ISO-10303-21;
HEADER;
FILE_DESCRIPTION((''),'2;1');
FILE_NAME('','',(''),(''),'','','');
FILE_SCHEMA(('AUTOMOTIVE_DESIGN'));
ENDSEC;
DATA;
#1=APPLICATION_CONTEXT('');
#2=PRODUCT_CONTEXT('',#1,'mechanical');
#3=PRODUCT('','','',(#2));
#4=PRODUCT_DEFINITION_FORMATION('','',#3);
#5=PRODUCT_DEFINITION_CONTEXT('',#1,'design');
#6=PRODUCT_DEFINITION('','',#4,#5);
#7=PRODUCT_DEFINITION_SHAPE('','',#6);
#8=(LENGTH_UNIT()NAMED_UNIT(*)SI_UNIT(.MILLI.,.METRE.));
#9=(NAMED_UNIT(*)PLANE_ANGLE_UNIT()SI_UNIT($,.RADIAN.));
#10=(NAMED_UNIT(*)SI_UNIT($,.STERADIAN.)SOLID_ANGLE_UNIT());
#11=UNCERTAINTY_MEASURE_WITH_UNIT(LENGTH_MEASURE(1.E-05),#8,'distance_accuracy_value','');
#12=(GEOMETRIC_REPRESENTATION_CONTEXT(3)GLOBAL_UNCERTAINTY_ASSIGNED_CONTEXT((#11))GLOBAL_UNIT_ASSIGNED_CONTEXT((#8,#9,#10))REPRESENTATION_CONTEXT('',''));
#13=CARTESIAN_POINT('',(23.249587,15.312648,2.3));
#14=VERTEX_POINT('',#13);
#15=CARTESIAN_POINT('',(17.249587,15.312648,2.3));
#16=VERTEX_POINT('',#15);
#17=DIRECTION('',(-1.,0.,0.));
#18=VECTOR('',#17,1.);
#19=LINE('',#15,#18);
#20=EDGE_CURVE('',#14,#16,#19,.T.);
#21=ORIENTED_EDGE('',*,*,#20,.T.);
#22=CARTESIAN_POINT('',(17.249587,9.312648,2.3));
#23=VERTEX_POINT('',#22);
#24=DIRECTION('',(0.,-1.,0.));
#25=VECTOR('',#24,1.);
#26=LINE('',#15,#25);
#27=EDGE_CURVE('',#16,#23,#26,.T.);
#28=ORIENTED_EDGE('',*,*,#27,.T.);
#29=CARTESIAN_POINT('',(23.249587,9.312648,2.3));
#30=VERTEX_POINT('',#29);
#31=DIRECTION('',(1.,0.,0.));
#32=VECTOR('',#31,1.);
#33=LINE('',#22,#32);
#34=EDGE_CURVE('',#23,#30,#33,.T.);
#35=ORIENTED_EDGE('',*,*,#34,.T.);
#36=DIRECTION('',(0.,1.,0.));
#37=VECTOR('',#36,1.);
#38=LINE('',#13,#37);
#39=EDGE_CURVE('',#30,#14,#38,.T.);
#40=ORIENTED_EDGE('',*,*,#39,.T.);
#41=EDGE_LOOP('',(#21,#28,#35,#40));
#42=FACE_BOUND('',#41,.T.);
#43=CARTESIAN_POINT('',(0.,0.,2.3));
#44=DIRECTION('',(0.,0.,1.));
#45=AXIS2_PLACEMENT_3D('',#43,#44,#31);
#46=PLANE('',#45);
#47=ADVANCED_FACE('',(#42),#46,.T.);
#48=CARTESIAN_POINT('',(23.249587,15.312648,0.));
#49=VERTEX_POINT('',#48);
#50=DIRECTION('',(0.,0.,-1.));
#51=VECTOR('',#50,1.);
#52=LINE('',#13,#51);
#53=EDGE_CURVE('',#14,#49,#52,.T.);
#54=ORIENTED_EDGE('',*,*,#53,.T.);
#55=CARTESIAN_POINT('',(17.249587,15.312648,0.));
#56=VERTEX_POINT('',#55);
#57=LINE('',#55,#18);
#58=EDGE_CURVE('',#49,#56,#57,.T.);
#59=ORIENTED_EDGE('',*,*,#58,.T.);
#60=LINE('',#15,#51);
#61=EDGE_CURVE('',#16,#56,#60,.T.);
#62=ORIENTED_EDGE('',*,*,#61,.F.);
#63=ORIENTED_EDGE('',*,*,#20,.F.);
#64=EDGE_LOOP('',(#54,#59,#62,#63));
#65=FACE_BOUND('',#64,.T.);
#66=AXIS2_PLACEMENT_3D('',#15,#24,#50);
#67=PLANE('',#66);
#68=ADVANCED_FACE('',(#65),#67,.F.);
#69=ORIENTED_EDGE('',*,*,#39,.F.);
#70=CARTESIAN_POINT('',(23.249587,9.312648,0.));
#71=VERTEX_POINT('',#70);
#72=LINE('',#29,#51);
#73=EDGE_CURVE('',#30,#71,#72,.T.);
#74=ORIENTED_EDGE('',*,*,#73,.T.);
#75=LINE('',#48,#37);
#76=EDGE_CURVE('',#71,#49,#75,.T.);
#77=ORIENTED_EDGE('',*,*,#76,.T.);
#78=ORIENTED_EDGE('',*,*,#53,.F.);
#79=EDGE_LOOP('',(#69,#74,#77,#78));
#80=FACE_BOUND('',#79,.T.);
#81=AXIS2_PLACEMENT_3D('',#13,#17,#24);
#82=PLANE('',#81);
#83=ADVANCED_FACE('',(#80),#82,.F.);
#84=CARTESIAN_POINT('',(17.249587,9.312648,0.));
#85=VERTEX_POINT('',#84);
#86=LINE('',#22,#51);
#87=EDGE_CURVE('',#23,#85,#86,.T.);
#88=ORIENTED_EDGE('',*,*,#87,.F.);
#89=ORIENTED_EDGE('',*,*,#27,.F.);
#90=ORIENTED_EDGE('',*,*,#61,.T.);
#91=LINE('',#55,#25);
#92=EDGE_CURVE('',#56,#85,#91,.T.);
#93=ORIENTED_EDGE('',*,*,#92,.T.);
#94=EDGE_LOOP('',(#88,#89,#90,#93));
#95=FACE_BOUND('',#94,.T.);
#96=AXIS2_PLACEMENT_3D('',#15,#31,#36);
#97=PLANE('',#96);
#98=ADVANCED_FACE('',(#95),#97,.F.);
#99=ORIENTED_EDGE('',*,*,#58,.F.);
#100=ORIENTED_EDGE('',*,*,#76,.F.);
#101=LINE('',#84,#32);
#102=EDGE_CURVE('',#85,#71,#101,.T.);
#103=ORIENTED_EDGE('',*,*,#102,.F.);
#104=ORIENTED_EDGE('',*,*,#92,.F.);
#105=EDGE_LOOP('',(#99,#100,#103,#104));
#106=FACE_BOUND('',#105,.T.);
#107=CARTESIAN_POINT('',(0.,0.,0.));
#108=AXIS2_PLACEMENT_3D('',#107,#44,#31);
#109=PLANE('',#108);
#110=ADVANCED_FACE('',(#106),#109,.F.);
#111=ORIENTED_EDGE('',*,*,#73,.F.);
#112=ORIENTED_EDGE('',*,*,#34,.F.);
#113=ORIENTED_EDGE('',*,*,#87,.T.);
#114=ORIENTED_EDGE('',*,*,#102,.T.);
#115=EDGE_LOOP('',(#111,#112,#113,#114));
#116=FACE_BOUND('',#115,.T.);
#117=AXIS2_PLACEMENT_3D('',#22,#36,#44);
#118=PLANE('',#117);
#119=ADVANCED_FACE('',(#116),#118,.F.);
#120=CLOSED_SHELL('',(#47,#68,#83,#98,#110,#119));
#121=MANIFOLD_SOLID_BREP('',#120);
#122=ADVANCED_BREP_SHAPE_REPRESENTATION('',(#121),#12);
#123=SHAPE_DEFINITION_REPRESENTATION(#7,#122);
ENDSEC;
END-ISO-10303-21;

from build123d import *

# Parameters (mm, degrees)
SKETCH_1_W      = 6
SKETCH_1_H      = 6
EXTRUDE_1_DEPTH = 2.3


with BuildPart() as part:
    # 草图1 → 凸台-拉伸1 (new body)
    with BuildSketch(Plane.XY):
        with Locations((20.249587155, 12.312648367)):
            Rectangle(SKETCH_1_W, SKETCH_1_H)
    extrude(amount=EXTRUDE_1_DEPTH)


solid = part.part
